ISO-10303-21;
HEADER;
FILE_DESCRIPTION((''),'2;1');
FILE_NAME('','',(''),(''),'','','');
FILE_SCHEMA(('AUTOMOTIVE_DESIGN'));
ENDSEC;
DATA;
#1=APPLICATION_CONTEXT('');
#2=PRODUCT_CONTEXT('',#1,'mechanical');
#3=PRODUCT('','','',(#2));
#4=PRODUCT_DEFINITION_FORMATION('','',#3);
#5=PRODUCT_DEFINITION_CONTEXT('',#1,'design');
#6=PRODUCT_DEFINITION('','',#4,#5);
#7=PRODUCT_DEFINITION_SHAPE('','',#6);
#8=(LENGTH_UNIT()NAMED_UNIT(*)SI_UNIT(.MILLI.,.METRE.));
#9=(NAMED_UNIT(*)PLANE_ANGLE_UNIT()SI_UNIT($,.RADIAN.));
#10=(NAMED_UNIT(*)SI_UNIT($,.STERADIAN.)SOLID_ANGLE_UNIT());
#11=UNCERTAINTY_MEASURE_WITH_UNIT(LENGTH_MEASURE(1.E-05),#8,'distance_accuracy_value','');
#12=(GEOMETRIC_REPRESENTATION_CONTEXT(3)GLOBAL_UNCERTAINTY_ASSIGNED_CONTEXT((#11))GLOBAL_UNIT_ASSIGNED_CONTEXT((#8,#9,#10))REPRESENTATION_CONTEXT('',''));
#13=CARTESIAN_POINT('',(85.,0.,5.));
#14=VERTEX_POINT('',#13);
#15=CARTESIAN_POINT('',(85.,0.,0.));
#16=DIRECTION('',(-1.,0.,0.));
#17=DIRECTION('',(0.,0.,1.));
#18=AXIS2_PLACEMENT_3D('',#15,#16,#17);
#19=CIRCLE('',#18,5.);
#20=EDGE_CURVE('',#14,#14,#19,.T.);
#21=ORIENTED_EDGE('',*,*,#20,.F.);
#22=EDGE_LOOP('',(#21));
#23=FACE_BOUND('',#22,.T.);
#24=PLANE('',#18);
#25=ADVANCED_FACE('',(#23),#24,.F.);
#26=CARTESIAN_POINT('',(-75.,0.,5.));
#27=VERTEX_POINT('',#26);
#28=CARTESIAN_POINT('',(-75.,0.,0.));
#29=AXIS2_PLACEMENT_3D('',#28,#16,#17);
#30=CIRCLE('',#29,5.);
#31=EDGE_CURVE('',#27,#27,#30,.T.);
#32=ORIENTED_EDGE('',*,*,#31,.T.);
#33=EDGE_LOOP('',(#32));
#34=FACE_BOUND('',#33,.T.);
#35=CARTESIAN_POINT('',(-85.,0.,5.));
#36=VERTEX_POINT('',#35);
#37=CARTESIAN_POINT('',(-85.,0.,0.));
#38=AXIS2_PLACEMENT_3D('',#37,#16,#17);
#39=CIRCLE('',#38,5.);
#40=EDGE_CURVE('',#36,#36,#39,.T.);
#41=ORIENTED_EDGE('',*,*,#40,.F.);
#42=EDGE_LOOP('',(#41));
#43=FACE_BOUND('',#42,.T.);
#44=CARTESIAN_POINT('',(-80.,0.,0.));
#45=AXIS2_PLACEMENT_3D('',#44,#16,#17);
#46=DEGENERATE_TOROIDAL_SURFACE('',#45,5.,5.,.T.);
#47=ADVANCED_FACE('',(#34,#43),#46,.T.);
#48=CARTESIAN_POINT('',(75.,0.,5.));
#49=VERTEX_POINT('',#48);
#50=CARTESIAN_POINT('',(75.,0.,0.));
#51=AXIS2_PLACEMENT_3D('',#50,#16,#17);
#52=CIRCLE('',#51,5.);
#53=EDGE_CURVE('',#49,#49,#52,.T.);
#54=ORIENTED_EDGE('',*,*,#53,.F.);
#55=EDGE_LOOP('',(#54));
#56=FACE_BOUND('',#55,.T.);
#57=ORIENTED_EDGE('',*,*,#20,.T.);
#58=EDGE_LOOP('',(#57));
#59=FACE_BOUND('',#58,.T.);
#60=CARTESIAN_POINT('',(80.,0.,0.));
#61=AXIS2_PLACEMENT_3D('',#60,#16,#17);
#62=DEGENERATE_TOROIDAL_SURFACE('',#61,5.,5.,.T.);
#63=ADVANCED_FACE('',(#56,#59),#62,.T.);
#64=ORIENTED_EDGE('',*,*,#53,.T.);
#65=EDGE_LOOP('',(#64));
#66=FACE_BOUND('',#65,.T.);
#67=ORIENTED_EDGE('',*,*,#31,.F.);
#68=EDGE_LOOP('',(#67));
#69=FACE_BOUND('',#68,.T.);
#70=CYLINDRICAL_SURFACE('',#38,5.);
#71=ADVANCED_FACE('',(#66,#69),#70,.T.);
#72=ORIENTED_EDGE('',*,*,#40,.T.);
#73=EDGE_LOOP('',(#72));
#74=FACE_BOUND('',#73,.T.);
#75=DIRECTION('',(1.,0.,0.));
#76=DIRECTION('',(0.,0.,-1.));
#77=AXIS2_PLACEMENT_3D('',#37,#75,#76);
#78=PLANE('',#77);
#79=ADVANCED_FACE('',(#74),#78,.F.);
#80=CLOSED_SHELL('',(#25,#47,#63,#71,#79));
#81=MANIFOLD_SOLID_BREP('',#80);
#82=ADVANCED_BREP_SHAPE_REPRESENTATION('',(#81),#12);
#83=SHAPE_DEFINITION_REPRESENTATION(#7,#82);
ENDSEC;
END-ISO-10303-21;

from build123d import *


with BuildPart() as part:
    # Sketch2 → Revolve1 (revolve)
    with BuildSketch(Plane.XY, mode=Mode.PRIVATE) as revolve1_sk:
        with BuildLine():
            Line((-85, 0), (85, 0))
            Line((85, 0), (85, 5))
            ThreePointArc((85, 5), (80, 10), (75, 5))
            Line((75, 5), (-75, 5))
            ThreePointArc((-75, 5), (-80, 10), (-85, 5))
            Line((-85, 5), (-85, 0))
        make_face()
    revolve(revolve1_sk.sketch.rotate(Axis((-85, 0, 0), (1, 0, 0)), 90), axis=Axis((-85, 0, 0), (1, 0, 0)))


solid = part.part
